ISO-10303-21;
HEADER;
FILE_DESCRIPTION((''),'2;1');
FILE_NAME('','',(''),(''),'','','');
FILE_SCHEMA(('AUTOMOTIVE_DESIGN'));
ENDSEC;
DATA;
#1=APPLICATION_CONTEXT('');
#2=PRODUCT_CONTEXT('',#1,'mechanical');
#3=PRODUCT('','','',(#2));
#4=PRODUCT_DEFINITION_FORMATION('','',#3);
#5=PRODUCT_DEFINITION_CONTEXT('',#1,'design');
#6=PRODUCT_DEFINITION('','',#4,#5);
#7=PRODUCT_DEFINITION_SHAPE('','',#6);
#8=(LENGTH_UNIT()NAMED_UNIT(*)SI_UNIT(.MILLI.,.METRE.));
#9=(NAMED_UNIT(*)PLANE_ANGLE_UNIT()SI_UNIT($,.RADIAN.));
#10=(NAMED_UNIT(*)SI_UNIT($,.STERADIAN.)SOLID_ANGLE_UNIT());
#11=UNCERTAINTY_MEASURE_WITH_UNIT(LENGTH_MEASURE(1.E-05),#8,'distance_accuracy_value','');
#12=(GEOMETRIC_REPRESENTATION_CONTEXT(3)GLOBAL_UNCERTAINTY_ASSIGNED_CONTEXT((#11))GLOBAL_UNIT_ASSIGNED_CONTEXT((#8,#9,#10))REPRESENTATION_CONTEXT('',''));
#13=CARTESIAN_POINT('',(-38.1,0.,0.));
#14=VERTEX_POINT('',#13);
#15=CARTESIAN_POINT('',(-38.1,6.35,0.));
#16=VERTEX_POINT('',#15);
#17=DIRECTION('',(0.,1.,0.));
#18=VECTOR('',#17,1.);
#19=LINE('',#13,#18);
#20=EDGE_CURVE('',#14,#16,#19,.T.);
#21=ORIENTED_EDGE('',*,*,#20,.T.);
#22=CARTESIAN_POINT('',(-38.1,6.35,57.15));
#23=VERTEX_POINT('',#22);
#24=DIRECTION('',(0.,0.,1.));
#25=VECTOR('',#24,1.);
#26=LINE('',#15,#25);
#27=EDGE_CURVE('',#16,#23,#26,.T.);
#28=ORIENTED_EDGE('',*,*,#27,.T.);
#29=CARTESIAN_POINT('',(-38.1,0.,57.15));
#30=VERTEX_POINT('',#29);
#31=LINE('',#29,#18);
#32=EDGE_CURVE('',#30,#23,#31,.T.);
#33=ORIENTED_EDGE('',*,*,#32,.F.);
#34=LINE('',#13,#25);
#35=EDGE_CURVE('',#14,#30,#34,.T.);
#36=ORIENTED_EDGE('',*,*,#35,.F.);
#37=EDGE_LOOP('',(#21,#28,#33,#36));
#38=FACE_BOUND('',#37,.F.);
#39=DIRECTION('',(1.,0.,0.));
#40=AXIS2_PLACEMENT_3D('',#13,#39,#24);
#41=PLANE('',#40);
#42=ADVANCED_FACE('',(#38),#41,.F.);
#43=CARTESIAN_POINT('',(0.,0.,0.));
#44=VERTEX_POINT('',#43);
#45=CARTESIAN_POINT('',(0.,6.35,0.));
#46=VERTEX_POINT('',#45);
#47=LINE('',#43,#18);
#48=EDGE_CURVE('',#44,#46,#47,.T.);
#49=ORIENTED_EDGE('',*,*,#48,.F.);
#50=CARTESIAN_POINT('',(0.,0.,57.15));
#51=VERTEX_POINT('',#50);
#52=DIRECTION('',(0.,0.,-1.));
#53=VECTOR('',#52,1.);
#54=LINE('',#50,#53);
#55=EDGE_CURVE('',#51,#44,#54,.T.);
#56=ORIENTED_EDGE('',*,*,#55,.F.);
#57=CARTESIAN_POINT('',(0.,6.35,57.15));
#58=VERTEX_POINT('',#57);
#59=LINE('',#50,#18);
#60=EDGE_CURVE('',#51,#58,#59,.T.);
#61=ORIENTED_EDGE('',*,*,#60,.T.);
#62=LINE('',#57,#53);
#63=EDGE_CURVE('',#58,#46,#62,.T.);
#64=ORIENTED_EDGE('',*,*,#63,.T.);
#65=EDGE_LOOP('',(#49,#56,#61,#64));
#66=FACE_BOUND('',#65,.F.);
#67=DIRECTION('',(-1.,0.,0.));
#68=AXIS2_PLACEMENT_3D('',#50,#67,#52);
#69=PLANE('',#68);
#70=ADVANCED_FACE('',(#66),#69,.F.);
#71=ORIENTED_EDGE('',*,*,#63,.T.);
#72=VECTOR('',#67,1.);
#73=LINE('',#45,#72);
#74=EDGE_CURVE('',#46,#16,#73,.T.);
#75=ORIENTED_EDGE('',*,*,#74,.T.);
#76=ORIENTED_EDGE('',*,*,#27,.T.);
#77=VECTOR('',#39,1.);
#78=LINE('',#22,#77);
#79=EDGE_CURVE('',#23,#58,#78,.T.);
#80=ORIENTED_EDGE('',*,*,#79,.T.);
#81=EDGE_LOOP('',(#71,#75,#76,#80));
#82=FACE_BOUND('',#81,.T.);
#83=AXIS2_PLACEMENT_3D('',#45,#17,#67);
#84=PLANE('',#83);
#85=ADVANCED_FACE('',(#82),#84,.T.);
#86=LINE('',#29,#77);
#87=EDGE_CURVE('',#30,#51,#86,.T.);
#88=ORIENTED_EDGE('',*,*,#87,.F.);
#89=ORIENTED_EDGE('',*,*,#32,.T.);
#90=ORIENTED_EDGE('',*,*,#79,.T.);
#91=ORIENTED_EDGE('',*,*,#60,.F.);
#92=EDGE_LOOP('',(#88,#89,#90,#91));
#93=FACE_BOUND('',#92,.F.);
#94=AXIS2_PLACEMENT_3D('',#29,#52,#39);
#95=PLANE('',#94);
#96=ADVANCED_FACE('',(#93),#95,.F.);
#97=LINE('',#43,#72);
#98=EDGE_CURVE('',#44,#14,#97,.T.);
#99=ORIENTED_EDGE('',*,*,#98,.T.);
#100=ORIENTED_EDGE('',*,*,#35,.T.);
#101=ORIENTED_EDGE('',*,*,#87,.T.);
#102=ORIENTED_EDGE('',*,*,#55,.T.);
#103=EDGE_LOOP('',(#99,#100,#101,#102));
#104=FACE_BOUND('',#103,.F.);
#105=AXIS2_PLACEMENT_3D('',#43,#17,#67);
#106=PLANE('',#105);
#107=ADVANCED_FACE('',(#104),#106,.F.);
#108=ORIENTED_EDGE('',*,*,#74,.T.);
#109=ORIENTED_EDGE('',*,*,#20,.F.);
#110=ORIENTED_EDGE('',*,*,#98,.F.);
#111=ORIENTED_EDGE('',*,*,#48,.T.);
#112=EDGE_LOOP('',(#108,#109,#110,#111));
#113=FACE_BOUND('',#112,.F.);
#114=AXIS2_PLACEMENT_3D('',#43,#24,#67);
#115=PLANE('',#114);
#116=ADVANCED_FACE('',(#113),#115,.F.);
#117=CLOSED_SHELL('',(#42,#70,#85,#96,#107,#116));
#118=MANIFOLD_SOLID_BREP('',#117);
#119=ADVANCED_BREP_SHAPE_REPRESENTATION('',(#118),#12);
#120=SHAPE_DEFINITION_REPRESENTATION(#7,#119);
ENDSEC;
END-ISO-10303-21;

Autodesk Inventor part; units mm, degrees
ref_plane "YZ Plane" through (0, 0, 0) normal (1, 0, 0) x (0, 1, 0)
ref_plane "XZ Plane" through (0, 0, 0) normal (0, 1, 0) x (-1, 0, 0)
ref_plane "XY Plane" through (0, 0, 0) normal (0, 0, 1) x (1, 0, 0)
sketch "Sketch1" plane through (0, 0, 0) normal (0, 1, 0) x (-1, 0, 0)
  line L0 (0, 0) -> (38.1, 0)
  line L1 (38.1, 0) -> (38.1, 57.15)
  line L2 (38.1, 57.15) -> (0, 57.15)
  line L3 (0, 57.15) -> (0, 0)
  dimension "d0" = 57.15
  dimension "d1" = 38.1
extrude "Extrusion1" add sketch "Sketch1" along normal blind 6.35
